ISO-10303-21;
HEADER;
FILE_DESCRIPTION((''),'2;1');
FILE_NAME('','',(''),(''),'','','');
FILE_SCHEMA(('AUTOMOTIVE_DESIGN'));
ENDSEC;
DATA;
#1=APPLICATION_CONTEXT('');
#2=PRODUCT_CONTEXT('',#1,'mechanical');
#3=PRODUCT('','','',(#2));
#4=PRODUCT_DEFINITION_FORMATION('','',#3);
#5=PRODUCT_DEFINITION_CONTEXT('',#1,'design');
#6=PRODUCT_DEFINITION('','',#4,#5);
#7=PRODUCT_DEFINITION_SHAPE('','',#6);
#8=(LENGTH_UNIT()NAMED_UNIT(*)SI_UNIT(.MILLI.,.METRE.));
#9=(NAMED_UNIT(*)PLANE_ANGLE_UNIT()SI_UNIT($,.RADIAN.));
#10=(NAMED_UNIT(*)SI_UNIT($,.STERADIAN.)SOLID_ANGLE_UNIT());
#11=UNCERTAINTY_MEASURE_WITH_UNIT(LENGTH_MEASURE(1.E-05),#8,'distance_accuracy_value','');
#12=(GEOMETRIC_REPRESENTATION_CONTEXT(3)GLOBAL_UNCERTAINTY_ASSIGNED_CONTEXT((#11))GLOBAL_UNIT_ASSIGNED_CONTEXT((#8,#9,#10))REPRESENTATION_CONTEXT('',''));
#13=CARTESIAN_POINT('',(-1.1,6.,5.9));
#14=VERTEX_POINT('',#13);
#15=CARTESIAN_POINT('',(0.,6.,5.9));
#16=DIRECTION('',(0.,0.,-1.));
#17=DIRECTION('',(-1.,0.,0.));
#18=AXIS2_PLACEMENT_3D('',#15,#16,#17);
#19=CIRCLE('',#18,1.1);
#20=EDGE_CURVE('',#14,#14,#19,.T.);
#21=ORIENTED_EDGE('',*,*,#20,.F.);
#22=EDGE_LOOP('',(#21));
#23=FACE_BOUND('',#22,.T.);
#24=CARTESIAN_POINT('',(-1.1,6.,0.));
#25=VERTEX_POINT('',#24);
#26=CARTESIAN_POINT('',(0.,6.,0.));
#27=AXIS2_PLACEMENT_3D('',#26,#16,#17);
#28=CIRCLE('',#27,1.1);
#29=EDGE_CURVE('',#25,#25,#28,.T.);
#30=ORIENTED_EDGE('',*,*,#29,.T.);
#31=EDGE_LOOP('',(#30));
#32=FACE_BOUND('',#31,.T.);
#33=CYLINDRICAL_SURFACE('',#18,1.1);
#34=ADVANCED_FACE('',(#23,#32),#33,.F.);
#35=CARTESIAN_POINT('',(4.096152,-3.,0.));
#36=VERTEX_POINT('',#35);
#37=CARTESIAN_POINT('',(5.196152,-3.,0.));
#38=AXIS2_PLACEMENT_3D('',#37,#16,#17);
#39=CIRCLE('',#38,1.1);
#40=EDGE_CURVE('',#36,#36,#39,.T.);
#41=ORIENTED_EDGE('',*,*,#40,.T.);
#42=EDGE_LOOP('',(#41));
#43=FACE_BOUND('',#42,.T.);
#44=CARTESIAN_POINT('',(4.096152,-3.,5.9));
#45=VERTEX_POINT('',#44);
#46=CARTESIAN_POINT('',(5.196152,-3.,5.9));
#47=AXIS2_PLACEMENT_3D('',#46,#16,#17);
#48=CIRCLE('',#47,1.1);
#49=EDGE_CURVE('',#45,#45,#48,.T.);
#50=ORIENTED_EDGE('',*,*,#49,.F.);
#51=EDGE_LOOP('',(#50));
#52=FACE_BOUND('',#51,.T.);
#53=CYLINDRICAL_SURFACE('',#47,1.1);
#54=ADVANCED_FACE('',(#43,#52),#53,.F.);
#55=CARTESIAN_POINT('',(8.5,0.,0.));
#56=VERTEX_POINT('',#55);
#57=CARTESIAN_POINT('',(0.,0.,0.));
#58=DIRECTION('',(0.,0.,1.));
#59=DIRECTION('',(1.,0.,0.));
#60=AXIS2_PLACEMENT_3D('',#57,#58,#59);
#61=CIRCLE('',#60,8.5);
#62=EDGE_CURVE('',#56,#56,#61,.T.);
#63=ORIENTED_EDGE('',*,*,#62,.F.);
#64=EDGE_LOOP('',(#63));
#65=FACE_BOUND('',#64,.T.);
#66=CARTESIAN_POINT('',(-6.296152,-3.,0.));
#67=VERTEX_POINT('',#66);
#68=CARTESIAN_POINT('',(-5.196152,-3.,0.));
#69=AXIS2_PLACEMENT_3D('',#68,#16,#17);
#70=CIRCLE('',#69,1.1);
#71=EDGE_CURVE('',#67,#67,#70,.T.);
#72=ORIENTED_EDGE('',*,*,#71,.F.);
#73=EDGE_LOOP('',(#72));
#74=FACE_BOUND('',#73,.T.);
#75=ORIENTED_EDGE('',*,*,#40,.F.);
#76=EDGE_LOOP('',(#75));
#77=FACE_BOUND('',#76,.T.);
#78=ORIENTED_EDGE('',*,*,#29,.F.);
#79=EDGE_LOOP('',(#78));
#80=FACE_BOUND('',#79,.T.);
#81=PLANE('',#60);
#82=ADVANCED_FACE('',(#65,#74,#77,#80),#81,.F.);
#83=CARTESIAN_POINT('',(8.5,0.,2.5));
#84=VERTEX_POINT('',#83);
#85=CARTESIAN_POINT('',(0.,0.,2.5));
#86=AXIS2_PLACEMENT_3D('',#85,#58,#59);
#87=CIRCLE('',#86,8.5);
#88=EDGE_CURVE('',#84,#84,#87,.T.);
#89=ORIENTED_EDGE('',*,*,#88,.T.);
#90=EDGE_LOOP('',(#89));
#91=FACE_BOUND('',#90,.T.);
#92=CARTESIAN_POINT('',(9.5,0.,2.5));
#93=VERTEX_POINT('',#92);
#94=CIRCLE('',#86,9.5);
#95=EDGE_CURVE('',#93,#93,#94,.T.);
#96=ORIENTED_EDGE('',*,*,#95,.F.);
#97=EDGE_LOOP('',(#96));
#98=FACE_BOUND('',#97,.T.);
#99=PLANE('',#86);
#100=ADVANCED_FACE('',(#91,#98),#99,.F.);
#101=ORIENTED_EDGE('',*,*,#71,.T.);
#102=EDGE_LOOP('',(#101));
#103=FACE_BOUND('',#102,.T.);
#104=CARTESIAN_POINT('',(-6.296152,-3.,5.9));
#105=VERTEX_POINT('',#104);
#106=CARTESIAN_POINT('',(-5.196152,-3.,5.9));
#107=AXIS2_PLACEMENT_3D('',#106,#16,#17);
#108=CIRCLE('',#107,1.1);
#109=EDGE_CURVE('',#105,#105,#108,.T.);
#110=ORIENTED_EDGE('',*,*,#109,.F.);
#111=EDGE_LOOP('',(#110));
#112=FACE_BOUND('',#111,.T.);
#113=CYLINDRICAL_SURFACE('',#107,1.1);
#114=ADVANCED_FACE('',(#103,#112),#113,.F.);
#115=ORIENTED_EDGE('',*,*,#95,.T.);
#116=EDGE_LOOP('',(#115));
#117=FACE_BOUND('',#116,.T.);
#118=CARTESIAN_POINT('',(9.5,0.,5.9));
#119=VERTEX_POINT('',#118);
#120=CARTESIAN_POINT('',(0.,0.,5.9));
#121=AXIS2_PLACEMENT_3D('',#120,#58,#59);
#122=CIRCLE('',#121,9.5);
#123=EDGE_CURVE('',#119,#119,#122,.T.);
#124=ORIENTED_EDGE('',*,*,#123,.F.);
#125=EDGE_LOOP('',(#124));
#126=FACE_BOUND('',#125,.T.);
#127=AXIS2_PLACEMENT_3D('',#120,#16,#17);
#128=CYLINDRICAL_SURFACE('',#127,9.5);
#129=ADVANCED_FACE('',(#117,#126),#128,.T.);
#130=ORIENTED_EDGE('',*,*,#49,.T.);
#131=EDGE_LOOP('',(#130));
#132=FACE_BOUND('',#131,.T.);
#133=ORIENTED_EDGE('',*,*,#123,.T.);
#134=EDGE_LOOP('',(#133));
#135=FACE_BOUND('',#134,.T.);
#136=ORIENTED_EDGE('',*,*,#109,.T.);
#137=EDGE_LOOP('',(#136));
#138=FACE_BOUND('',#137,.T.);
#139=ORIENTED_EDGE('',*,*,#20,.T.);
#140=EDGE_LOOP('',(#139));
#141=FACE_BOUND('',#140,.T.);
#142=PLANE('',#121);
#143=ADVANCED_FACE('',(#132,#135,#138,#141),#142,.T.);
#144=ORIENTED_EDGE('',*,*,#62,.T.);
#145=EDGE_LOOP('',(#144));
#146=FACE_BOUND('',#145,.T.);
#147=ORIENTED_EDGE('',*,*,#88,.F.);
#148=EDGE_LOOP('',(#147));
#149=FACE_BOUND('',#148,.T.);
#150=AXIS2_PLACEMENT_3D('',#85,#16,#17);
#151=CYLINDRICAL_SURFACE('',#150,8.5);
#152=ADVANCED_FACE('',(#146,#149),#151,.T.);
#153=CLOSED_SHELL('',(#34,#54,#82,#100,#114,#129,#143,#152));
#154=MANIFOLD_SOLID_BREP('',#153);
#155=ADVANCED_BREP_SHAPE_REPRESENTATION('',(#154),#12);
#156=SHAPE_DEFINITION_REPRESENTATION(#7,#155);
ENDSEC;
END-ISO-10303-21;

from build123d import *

# Parameters (mm, degrees)
SKETCH_1_R          = 8.5
EXTRUDE_1_DEPTH     = 2.5
SKETCH_2_R          = 9.5
EXTRUDE_2_DEPTH     = 3.4
SKETCH_3_R          = 1.1
CUT_EXTRUDE_1_DEPTH = 15.673445403


with BuildPart() as part:
    # ｽｹｯﾁ1 → ﾎﾞｽ - 押し出し1 (new body)
    with BuildSketch(Plane.XY):
        Circle(SKETCH_1_R)
    extrude(amount=EXTRUDE_1_DEPTH)

    # ｽｹｯﾁ2 → ﾎﾞｽ - 押し出し2 (add)
    with BuildSketch(Plane.XY.offset(2.5)):
        Circle(SKETCH_2_R)
    extrude(amount=EXTRUDE_2_DEPTH)

    # ｽｹｯﾁ3 → ｶｯﾄ - 押し出し1 (cut, through all)
    with BuildSketch(Plane(origin=(0, 0, 0), x_dir=(-1, 0, 0), z_dir=(0, 0, -1))):
        with Locations((0, 6)):
            Circle(SKETCH_3_R)
        with Locations((5.196152423, -3)):
            Circle(SKETCH_3_R)
        with Locations((-5.196152423, -3)):
            Circle(SKETCH_3_R)
    extrude(amount=-CUT_EXTRUDE_1_DEPTH, mode=Mode.SUBTRACT)


solid = part.part
